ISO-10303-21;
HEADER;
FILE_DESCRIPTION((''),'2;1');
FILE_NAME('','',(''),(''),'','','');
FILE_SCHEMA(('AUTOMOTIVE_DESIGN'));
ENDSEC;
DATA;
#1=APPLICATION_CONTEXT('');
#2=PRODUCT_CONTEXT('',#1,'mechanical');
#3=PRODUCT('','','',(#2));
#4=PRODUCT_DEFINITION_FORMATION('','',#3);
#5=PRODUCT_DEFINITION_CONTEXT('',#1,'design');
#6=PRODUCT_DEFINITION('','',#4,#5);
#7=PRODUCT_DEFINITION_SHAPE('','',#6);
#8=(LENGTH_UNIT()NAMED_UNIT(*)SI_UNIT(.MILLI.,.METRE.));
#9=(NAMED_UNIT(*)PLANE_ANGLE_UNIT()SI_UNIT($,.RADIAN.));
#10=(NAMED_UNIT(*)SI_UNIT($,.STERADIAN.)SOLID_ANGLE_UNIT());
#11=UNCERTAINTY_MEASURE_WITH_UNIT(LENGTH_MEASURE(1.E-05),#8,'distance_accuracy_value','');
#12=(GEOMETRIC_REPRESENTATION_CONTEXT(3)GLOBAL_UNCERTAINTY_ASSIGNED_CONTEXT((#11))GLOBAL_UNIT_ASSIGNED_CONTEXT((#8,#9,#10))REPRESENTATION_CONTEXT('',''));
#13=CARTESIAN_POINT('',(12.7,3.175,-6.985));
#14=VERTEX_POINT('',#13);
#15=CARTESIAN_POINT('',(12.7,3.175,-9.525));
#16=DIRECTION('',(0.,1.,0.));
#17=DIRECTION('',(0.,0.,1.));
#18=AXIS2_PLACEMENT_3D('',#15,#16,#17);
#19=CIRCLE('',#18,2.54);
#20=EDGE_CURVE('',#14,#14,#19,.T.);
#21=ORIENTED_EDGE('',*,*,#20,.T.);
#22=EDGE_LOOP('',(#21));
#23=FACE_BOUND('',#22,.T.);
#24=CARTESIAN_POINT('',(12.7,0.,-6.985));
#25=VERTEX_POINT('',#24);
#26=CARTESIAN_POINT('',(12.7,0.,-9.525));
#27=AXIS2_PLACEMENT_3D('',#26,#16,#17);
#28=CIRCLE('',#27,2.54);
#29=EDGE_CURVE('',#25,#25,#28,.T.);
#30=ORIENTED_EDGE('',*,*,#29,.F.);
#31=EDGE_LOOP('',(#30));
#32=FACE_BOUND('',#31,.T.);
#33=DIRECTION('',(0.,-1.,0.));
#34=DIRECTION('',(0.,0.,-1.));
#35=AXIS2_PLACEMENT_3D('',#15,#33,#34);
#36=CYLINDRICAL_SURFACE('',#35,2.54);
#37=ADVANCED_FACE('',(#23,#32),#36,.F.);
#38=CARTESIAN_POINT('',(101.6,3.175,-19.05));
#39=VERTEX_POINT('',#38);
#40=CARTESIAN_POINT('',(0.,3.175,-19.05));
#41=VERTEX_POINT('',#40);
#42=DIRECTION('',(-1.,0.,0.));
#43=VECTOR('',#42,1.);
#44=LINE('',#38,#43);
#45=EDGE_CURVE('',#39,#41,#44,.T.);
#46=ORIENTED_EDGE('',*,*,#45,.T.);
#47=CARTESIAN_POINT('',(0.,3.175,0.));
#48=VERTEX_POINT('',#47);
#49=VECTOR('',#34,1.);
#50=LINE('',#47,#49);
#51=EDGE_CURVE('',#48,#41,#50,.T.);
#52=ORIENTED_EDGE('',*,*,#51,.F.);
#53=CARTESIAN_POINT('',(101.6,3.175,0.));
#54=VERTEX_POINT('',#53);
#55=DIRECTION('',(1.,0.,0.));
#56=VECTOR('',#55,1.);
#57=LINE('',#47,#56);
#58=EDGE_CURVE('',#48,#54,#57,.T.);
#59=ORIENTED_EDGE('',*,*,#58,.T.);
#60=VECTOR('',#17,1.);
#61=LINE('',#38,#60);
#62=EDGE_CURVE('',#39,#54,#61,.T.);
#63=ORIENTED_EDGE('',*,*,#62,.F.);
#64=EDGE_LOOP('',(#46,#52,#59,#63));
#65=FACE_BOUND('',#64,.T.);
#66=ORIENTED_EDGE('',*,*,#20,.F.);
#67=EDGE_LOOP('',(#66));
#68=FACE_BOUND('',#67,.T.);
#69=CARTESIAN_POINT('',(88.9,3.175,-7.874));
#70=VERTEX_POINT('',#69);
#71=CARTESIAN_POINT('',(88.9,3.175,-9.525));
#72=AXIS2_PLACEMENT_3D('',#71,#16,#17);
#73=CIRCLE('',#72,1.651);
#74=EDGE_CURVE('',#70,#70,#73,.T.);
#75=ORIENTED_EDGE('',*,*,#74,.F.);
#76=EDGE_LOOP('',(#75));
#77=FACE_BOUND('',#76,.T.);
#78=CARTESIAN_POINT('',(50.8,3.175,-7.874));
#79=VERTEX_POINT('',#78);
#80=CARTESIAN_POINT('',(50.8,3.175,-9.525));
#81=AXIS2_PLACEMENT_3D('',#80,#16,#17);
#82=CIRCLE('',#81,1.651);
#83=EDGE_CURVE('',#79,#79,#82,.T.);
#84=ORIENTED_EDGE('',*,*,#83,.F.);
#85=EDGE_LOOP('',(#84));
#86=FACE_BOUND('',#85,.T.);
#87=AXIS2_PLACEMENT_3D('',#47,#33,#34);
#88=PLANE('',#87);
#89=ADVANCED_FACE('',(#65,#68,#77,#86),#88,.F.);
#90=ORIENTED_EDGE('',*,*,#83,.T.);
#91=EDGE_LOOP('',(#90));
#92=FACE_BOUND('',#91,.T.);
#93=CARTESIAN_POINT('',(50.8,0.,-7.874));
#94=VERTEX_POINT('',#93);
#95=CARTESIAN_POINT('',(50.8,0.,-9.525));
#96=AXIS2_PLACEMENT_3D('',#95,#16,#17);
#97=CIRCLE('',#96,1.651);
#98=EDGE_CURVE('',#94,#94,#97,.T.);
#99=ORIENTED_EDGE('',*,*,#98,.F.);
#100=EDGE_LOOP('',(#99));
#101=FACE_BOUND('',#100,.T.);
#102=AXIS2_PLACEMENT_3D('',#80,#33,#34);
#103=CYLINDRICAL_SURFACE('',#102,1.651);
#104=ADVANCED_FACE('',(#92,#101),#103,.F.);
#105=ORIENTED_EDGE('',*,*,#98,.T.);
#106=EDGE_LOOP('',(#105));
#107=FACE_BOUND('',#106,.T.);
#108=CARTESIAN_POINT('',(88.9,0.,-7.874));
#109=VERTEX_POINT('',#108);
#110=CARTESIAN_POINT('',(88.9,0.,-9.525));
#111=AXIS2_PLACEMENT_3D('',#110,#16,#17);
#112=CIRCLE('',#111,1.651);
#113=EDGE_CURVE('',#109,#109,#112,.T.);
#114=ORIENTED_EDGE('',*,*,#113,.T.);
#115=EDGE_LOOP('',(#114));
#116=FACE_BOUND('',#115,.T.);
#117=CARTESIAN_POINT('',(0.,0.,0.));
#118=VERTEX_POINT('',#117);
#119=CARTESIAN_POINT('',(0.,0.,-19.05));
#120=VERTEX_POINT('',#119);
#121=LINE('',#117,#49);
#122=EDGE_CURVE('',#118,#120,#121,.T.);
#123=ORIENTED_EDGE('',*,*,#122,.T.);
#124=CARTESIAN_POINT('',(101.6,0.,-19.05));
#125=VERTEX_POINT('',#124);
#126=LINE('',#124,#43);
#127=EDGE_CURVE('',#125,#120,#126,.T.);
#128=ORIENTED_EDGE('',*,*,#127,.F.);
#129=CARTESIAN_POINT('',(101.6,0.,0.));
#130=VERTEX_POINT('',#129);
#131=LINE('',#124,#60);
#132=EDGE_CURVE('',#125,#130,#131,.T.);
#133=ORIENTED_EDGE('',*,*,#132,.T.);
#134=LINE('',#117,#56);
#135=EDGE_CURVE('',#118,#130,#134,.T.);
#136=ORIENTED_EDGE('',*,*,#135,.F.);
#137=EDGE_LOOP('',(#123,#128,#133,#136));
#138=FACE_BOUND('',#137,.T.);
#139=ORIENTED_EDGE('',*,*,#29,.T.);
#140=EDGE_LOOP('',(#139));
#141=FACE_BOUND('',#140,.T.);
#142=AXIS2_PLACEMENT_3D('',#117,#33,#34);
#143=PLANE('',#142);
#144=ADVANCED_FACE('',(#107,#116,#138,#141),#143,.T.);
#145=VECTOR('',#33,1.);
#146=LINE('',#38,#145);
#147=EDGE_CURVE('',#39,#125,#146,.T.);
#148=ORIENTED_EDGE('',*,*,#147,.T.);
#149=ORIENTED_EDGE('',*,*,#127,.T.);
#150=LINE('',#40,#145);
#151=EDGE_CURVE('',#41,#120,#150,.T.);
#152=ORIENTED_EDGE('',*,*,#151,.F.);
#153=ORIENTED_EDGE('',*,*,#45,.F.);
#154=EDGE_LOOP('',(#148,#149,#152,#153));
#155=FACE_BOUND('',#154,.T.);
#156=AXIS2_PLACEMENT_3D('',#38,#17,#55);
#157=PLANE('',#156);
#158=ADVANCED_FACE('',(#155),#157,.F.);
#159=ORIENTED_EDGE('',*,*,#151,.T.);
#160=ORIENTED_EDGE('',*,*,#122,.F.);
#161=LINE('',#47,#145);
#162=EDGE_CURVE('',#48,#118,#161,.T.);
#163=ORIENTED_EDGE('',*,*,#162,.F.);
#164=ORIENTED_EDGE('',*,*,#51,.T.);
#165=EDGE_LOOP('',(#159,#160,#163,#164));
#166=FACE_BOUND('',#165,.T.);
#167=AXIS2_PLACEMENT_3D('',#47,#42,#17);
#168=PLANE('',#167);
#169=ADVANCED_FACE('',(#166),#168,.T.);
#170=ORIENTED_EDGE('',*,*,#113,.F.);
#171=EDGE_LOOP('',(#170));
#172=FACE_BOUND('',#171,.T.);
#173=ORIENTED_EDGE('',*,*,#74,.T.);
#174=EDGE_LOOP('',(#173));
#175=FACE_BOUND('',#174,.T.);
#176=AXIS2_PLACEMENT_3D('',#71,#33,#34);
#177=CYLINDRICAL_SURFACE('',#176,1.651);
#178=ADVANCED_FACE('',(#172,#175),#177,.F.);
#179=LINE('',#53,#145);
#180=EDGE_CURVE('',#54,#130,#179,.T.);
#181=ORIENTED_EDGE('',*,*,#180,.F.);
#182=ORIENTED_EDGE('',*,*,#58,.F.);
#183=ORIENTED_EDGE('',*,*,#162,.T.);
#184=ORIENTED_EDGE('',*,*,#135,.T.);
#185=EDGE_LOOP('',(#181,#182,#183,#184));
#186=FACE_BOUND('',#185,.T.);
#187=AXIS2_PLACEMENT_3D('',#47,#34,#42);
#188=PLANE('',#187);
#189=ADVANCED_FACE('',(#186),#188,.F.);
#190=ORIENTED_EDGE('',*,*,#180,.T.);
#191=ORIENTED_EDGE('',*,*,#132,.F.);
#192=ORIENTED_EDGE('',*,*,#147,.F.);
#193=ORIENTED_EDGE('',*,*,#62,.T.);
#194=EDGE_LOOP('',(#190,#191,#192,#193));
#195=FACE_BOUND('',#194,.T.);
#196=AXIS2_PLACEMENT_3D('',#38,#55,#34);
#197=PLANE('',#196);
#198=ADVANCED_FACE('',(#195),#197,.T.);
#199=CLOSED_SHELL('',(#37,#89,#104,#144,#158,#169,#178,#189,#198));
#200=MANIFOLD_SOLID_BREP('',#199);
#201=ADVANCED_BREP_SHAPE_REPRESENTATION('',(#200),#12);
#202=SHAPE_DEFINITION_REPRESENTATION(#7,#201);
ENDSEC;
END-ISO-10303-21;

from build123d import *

# Parameters (mm, degrees)
SKETCH1_W          = 101.6
SKETCH1_H          = 19.05
SKETCH1_R          = 2.54
SKETCH1_R_2        = 1.651
BASE_EXTRUDE_DEPTH = 3.175


with BuildPart() as part:
    # Sketch1 → Base-Extrude (new body)
    with BuildSketch(Plane(origin=(0, 0, 0), x_dir=(1, 0, 0), z_dir=(0, 1, 0))):
        with Locations((50.8, 9.525)):
            Rectangle(SKETCH1_W, SKETCH1_H)
        with Locations((12.7, 9.525)):
            Circle(SKETCH1_R, mode=Mode.SUBTRACT)
        with Locations((50.8, 9.525)):
            Circle(SKETCH1_R_2, mode=Mode.SUBTRACT)
        with Locations((88.9, 9.525)):
            Circle(SKETCH1_R_2, mode=Mode.SUBTRACT)
    extrude(amount=BASE_EXTRUDE_DEPTH)


solid = part.part
